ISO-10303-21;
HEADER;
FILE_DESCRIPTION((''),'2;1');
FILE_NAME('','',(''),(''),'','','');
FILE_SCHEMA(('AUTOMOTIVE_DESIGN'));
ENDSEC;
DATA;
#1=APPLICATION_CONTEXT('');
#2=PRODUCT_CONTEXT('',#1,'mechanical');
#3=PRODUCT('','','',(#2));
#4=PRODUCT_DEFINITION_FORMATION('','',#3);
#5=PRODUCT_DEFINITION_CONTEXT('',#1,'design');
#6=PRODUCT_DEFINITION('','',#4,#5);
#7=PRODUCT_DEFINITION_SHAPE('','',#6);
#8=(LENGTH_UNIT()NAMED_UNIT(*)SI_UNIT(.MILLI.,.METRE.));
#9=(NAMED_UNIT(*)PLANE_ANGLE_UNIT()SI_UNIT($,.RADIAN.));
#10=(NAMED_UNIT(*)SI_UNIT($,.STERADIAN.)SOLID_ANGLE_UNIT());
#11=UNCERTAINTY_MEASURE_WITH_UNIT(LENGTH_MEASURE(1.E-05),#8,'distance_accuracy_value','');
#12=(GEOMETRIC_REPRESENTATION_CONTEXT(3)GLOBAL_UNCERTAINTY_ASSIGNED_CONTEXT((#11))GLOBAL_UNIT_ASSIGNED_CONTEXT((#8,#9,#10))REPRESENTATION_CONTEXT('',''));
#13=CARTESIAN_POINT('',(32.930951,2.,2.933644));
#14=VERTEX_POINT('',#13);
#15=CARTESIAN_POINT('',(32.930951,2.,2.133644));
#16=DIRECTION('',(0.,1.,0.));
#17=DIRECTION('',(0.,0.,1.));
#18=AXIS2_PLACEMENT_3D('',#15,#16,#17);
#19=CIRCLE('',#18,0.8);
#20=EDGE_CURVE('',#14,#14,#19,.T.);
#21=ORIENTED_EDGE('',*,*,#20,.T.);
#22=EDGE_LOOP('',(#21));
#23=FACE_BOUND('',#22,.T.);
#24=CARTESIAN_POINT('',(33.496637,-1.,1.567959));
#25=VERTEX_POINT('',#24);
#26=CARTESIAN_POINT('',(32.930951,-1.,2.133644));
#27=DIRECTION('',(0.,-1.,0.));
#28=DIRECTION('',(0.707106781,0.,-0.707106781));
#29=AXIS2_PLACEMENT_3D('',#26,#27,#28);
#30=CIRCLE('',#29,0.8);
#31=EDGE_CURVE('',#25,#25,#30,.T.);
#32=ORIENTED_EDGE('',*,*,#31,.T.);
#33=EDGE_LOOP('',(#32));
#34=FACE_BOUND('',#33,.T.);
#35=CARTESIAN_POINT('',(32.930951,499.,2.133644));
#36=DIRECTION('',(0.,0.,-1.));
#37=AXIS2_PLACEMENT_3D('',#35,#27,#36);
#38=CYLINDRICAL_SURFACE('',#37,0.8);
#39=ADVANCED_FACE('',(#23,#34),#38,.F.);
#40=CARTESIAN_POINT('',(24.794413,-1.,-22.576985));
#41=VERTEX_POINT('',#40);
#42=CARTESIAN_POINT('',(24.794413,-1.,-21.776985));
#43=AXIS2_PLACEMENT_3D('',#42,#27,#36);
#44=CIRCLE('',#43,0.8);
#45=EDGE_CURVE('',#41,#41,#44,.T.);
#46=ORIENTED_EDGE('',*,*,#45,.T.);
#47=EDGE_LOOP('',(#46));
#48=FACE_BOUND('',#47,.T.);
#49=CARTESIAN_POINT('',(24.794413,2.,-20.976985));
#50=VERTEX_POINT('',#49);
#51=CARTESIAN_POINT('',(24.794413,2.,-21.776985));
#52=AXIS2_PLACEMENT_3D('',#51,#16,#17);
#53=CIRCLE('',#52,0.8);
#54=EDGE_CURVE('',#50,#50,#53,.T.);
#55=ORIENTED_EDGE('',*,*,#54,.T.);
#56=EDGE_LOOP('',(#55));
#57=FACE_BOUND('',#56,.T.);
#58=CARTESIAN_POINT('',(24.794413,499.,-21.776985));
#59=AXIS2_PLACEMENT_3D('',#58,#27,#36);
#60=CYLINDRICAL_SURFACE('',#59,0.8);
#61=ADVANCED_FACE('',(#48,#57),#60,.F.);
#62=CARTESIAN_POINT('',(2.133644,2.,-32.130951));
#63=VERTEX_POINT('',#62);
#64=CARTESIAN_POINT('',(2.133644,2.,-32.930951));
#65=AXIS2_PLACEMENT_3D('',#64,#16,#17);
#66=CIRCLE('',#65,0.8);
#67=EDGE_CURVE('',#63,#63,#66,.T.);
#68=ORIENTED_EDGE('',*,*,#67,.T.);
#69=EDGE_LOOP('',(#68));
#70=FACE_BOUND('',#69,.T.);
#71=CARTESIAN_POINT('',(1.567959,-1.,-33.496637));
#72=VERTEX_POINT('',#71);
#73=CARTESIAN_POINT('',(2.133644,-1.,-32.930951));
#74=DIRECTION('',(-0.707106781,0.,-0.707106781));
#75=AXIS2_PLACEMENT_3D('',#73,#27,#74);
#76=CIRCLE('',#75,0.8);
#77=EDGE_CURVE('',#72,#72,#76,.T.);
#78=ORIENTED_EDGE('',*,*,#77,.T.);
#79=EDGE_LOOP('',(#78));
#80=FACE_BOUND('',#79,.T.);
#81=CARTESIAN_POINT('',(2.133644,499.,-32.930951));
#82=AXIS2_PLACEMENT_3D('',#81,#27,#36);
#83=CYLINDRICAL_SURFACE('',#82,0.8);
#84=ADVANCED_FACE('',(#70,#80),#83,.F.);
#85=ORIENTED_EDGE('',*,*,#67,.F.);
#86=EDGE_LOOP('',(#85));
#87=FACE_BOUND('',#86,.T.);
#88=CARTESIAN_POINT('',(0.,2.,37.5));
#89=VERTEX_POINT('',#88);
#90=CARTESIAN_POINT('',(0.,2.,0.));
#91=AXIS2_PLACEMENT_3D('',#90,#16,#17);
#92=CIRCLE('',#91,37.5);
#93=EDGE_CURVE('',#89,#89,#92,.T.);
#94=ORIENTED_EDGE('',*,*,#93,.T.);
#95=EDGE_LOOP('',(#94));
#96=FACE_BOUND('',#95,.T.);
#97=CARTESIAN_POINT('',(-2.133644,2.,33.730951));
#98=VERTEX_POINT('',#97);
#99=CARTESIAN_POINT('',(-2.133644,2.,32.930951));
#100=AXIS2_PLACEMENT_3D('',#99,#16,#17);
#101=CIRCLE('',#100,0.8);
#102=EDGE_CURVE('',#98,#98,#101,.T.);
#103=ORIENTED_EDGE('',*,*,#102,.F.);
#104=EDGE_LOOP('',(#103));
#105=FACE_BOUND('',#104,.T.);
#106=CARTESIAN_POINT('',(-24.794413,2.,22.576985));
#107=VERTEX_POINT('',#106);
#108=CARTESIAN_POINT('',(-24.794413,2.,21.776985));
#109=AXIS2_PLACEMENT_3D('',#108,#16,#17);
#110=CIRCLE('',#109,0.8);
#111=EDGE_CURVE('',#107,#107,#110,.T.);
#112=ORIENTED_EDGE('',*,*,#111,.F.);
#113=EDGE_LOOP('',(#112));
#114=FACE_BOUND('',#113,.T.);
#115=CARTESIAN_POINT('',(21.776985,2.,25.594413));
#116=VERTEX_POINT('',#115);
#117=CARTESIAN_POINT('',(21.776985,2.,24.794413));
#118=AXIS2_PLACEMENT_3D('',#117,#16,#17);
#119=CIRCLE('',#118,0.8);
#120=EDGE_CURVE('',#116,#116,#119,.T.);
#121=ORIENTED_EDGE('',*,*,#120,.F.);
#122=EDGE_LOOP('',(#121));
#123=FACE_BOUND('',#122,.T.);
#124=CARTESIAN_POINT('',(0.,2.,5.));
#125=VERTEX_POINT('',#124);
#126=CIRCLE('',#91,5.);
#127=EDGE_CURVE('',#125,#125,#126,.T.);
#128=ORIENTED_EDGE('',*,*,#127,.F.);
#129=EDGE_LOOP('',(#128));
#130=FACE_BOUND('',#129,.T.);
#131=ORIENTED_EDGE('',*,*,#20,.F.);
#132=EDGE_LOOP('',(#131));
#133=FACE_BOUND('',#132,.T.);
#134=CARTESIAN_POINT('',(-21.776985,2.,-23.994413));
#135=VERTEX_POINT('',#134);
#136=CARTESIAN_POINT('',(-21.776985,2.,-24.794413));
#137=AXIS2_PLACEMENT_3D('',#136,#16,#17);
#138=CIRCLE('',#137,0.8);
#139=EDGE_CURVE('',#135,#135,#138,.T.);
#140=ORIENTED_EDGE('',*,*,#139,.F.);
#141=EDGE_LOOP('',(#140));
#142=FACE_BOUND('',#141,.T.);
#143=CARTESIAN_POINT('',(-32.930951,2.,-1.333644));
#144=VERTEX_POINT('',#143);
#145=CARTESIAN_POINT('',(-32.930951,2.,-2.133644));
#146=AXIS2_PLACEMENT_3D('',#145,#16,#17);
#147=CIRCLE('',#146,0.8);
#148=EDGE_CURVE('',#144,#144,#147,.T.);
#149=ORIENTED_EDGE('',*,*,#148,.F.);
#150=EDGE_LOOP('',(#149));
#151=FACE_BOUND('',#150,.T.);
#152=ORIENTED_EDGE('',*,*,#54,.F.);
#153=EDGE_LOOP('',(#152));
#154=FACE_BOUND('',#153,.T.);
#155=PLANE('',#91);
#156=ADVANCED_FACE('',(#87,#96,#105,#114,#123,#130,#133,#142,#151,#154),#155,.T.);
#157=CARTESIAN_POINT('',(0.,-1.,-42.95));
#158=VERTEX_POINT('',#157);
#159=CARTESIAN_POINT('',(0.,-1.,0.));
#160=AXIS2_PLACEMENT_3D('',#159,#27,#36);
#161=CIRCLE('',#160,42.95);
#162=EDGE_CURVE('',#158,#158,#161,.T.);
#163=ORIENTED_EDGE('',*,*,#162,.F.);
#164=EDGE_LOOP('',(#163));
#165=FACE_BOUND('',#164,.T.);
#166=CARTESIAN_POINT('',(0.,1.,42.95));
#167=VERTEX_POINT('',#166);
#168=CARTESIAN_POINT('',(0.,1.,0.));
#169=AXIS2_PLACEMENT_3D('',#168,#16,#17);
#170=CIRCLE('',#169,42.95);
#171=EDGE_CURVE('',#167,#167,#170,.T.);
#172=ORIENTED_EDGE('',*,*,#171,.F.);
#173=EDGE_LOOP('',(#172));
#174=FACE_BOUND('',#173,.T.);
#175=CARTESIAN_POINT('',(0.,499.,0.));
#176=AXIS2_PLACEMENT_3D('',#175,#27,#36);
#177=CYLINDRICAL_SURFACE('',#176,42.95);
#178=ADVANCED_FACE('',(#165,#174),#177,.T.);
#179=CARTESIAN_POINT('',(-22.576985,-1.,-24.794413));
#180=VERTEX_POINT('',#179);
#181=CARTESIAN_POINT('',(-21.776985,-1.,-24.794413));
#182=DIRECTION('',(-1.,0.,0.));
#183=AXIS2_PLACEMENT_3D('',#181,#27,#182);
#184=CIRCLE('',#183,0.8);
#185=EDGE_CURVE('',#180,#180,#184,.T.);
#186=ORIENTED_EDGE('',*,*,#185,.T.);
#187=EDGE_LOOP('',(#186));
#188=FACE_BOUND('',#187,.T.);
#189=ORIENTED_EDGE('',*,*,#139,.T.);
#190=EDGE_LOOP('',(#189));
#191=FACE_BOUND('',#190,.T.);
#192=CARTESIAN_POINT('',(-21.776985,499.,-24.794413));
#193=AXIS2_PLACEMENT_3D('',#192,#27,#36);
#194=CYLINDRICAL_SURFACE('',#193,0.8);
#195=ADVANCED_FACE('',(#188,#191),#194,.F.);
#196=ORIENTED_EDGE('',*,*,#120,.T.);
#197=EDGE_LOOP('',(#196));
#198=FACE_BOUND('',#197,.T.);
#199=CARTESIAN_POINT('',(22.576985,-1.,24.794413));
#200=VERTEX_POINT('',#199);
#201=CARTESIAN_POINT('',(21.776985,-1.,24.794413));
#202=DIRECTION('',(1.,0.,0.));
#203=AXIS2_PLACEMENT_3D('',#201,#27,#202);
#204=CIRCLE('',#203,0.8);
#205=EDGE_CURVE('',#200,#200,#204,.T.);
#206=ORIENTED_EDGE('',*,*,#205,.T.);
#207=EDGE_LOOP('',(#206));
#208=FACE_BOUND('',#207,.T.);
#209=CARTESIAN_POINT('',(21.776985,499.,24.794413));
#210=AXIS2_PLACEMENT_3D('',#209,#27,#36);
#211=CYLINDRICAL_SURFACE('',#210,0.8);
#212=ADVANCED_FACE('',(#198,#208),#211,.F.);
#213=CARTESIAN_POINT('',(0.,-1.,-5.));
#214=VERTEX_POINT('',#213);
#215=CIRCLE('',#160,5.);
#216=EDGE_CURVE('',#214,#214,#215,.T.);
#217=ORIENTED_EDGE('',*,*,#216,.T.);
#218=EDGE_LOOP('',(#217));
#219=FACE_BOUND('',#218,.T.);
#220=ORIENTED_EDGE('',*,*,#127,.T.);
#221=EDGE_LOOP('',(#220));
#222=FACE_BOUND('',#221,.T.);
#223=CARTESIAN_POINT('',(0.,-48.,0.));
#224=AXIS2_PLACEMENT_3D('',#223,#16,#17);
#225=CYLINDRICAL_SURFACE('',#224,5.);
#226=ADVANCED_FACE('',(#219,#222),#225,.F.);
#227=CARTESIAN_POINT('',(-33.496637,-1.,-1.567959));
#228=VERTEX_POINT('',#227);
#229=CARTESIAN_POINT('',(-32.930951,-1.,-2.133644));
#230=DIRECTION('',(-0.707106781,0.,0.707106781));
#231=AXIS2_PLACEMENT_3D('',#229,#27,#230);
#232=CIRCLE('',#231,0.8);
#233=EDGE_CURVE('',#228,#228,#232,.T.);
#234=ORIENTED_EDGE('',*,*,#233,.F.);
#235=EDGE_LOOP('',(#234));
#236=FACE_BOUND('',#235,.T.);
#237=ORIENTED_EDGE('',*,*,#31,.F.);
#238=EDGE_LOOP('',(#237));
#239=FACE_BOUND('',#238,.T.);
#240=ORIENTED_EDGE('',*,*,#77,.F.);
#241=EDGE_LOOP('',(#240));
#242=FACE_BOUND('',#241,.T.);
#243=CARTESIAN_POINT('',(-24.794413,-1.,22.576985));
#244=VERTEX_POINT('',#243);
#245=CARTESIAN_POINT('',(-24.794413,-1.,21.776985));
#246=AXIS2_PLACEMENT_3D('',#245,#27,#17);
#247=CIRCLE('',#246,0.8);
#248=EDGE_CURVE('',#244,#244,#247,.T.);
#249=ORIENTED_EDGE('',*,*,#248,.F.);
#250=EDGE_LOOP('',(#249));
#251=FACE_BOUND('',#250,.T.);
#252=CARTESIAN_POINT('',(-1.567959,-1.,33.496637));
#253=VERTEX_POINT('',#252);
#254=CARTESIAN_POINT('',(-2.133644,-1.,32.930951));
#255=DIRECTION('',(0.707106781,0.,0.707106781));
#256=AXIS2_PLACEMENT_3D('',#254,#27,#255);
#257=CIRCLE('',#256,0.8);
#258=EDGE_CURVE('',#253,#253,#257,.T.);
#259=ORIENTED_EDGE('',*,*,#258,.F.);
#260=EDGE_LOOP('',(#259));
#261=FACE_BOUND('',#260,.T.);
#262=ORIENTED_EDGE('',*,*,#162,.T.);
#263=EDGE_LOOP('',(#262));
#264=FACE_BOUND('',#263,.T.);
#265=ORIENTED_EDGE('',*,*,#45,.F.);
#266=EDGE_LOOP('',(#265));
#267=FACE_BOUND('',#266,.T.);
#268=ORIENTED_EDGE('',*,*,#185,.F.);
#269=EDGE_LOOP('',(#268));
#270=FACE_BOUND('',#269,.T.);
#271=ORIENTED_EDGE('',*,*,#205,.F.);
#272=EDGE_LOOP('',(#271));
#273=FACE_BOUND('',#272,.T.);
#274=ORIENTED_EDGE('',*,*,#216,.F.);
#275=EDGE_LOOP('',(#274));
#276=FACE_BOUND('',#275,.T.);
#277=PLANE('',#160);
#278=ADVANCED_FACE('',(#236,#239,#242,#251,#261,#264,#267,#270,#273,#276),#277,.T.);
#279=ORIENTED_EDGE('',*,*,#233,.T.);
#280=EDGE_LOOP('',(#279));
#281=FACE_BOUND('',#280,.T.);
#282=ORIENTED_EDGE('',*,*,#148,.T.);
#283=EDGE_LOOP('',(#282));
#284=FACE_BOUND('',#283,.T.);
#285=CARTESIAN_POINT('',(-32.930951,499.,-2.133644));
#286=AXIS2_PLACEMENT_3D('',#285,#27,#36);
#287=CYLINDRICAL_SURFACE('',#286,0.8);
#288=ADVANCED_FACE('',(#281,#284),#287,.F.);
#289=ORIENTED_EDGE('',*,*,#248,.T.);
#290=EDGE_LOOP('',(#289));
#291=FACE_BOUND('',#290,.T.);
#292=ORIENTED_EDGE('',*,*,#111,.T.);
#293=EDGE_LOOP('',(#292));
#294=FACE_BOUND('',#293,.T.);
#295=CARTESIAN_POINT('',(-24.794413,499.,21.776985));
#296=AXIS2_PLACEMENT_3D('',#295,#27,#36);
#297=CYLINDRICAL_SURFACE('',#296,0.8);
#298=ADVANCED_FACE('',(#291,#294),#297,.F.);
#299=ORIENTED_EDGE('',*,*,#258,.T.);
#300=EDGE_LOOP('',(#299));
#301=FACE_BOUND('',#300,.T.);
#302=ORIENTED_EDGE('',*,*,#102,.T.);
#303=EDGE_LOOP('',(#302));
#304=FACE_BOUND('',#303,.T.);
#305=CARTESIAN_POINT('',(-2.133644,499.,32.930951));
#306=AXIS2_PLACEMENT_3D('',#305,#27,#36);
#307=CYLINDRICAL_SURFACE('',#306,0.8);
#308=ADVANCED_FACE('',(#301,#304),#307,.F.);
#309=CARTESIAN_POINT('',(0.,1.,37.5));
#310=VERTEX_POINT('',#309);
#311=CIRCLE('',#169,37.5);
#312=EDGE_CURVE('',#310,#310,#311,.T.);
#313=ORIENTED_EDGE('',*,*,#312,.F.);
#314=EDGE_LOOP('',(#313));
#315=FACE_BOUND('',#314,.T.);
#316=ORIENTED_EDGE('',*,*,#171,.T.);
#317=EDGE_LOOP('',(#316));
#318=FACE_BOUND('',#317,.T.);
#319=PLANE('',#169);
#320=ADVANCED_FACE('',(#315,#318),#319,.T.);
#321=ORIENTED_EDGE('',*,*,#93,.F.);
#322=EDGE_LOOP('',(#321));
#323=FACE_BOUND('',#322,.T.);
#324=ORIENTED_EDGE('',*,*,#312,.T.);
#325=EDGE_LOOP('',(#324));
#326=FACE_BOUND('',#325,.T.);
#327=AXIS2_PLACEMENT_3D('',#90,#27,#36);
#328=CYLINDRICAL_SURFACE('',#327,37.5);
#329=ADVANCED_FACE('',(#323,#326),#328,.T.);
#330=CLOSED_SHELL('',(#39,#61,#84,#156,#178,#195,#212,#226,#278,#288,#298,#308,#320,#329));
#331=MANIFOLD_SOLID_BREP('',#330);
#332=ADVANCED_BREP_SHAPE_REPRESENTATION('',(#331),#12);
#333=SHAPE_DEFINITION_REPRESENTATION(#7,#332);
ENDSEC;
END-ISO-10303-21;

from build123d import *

# Parameters (mm, degrees)
SKETCH_1_R               = 43
EXTRUDE_1_DEPTH          = 1
SKETCH_2_R               = 37.5
EXTRUDE_2_DEPTH          = 1
SKETCH_3_R               = 5
CUT_EXTRUDE_1_DEPTH      = 50
SKETCH_4_R               = 43
SKETCH_4_R_2             = 5
EXTRUDE_3_DEPTH          = 1
SKETCH_5_OUTSIDE_W       = 112.332
SKETCH_5_OUTSIDE_H       = 112.332
SKETCH_5_OUTSIDE_R       = 42.95
CUT_EXTRUDE_2_DEPTH      = 500
SKETCH_6_R               = 0.8
CUT_EXTRUDE_3_DEPTH      = 500
PATTERN_CIRCULAR_1_COUNT = 8


with BuildPart() as part:
    # 草图1 → 凸台-拉伸1 (new body)
    with BuildSketch(Plane(origin=(0, 0, 0), x_dir=(1, 0, 0), z_dir=(0, 1, 0))):
        with Locations(Location((0, 0, 0), (0, 0, 270))):
            Circle(SKETCH_1_R)
    extrude(amount=EXTRUDE_1_DEPTH)

    # 草图2 → 凸台-拉伸2 (add)
    with BuildSketch(Plane(origin=(0, 1, 0), x_dir=(1, 0, 0), z_dir=(0, 1, 0))):
        with Locations(Location((0, 0, 0), (0, 0, 270))):
            Circle(SKETCH_2_R)
    extrude(amount=EXTRUDE_2_DEPTH)

    # 草图3 → 切除-拉伸1 (cut)
    with BuildSketch(Plane(origin=(0, 2, 0), x_dir=(1, 0, 0), z_dir=(0, 1, 0))):
        with Locations(Location((0, 0, 0), (0, 0, 270))):
            Circle(SKETCH_3_R)
    extrude(amount=-CUT_EXTRUDE_1_DEPTH, mode=Mode.SUBTRACT)

    # 草图4 → 凸台-拉伸3 (add)
    with BuildSketch(Plane.XZ):
        with Locations(Location((0, 0, 0), (0, 0, 270))):
            Circle(SKETCH_4_R)
        with Locations(Location((0, 0, 0), (0, 0, 90))):
            Circle(SKETCH_4_R_2, mode=Mode.SUBTRACT)
    extrude(amount=EXTRUDE_3_DEPTH)

    # 草图5 outside → 切除-拉伸2 (cut)
    with BuildSketch(Plane.XZ.offset(1)):
        Rectangle(SKETCH_5_OUTSIDE_W, SKETCH_5_OUTSIDE_H)
        with Locations(Location((0, 0, 0), (0, 0, 270))):
            Circle(SKETCH_5_OUTSIDE_R, mode=Mode.SUBTRACT)
    extrude(amount=-CUT_EXTRUDE_2_DEPTH, mode=Mode.SUBTRACT)

    # 草图6 → 切除-拉伸3 (cut)
    with BuildSketch(Plane.XZ.offset(1)):
        with Locations(Location((24.794413226, -21.776984933, 0), (0, 0, 270))):
            Circle(SKETCH_6_R)
    cut_extrude_3 = extrude(amount=-CUT_EXTRUDE_3_DEPTH, mode=Mode.SUBTRACT)

    # 阵列(圆周)1: 切除-拉伸3 ×8 about axis
    pattern_circular_1_axis = Axis((0, 0, 0), (0, 1, 0))
    for i in range(1, PATTERN_CIRCULAR_1_COUNT):
        add(cut_extrude_3.rotate(pattern_circular_1_axis, i * 360 / PATTERN_CIRCULAR_1_COUNT), mode=Mode.SUBTRACT)


solid = part.part
